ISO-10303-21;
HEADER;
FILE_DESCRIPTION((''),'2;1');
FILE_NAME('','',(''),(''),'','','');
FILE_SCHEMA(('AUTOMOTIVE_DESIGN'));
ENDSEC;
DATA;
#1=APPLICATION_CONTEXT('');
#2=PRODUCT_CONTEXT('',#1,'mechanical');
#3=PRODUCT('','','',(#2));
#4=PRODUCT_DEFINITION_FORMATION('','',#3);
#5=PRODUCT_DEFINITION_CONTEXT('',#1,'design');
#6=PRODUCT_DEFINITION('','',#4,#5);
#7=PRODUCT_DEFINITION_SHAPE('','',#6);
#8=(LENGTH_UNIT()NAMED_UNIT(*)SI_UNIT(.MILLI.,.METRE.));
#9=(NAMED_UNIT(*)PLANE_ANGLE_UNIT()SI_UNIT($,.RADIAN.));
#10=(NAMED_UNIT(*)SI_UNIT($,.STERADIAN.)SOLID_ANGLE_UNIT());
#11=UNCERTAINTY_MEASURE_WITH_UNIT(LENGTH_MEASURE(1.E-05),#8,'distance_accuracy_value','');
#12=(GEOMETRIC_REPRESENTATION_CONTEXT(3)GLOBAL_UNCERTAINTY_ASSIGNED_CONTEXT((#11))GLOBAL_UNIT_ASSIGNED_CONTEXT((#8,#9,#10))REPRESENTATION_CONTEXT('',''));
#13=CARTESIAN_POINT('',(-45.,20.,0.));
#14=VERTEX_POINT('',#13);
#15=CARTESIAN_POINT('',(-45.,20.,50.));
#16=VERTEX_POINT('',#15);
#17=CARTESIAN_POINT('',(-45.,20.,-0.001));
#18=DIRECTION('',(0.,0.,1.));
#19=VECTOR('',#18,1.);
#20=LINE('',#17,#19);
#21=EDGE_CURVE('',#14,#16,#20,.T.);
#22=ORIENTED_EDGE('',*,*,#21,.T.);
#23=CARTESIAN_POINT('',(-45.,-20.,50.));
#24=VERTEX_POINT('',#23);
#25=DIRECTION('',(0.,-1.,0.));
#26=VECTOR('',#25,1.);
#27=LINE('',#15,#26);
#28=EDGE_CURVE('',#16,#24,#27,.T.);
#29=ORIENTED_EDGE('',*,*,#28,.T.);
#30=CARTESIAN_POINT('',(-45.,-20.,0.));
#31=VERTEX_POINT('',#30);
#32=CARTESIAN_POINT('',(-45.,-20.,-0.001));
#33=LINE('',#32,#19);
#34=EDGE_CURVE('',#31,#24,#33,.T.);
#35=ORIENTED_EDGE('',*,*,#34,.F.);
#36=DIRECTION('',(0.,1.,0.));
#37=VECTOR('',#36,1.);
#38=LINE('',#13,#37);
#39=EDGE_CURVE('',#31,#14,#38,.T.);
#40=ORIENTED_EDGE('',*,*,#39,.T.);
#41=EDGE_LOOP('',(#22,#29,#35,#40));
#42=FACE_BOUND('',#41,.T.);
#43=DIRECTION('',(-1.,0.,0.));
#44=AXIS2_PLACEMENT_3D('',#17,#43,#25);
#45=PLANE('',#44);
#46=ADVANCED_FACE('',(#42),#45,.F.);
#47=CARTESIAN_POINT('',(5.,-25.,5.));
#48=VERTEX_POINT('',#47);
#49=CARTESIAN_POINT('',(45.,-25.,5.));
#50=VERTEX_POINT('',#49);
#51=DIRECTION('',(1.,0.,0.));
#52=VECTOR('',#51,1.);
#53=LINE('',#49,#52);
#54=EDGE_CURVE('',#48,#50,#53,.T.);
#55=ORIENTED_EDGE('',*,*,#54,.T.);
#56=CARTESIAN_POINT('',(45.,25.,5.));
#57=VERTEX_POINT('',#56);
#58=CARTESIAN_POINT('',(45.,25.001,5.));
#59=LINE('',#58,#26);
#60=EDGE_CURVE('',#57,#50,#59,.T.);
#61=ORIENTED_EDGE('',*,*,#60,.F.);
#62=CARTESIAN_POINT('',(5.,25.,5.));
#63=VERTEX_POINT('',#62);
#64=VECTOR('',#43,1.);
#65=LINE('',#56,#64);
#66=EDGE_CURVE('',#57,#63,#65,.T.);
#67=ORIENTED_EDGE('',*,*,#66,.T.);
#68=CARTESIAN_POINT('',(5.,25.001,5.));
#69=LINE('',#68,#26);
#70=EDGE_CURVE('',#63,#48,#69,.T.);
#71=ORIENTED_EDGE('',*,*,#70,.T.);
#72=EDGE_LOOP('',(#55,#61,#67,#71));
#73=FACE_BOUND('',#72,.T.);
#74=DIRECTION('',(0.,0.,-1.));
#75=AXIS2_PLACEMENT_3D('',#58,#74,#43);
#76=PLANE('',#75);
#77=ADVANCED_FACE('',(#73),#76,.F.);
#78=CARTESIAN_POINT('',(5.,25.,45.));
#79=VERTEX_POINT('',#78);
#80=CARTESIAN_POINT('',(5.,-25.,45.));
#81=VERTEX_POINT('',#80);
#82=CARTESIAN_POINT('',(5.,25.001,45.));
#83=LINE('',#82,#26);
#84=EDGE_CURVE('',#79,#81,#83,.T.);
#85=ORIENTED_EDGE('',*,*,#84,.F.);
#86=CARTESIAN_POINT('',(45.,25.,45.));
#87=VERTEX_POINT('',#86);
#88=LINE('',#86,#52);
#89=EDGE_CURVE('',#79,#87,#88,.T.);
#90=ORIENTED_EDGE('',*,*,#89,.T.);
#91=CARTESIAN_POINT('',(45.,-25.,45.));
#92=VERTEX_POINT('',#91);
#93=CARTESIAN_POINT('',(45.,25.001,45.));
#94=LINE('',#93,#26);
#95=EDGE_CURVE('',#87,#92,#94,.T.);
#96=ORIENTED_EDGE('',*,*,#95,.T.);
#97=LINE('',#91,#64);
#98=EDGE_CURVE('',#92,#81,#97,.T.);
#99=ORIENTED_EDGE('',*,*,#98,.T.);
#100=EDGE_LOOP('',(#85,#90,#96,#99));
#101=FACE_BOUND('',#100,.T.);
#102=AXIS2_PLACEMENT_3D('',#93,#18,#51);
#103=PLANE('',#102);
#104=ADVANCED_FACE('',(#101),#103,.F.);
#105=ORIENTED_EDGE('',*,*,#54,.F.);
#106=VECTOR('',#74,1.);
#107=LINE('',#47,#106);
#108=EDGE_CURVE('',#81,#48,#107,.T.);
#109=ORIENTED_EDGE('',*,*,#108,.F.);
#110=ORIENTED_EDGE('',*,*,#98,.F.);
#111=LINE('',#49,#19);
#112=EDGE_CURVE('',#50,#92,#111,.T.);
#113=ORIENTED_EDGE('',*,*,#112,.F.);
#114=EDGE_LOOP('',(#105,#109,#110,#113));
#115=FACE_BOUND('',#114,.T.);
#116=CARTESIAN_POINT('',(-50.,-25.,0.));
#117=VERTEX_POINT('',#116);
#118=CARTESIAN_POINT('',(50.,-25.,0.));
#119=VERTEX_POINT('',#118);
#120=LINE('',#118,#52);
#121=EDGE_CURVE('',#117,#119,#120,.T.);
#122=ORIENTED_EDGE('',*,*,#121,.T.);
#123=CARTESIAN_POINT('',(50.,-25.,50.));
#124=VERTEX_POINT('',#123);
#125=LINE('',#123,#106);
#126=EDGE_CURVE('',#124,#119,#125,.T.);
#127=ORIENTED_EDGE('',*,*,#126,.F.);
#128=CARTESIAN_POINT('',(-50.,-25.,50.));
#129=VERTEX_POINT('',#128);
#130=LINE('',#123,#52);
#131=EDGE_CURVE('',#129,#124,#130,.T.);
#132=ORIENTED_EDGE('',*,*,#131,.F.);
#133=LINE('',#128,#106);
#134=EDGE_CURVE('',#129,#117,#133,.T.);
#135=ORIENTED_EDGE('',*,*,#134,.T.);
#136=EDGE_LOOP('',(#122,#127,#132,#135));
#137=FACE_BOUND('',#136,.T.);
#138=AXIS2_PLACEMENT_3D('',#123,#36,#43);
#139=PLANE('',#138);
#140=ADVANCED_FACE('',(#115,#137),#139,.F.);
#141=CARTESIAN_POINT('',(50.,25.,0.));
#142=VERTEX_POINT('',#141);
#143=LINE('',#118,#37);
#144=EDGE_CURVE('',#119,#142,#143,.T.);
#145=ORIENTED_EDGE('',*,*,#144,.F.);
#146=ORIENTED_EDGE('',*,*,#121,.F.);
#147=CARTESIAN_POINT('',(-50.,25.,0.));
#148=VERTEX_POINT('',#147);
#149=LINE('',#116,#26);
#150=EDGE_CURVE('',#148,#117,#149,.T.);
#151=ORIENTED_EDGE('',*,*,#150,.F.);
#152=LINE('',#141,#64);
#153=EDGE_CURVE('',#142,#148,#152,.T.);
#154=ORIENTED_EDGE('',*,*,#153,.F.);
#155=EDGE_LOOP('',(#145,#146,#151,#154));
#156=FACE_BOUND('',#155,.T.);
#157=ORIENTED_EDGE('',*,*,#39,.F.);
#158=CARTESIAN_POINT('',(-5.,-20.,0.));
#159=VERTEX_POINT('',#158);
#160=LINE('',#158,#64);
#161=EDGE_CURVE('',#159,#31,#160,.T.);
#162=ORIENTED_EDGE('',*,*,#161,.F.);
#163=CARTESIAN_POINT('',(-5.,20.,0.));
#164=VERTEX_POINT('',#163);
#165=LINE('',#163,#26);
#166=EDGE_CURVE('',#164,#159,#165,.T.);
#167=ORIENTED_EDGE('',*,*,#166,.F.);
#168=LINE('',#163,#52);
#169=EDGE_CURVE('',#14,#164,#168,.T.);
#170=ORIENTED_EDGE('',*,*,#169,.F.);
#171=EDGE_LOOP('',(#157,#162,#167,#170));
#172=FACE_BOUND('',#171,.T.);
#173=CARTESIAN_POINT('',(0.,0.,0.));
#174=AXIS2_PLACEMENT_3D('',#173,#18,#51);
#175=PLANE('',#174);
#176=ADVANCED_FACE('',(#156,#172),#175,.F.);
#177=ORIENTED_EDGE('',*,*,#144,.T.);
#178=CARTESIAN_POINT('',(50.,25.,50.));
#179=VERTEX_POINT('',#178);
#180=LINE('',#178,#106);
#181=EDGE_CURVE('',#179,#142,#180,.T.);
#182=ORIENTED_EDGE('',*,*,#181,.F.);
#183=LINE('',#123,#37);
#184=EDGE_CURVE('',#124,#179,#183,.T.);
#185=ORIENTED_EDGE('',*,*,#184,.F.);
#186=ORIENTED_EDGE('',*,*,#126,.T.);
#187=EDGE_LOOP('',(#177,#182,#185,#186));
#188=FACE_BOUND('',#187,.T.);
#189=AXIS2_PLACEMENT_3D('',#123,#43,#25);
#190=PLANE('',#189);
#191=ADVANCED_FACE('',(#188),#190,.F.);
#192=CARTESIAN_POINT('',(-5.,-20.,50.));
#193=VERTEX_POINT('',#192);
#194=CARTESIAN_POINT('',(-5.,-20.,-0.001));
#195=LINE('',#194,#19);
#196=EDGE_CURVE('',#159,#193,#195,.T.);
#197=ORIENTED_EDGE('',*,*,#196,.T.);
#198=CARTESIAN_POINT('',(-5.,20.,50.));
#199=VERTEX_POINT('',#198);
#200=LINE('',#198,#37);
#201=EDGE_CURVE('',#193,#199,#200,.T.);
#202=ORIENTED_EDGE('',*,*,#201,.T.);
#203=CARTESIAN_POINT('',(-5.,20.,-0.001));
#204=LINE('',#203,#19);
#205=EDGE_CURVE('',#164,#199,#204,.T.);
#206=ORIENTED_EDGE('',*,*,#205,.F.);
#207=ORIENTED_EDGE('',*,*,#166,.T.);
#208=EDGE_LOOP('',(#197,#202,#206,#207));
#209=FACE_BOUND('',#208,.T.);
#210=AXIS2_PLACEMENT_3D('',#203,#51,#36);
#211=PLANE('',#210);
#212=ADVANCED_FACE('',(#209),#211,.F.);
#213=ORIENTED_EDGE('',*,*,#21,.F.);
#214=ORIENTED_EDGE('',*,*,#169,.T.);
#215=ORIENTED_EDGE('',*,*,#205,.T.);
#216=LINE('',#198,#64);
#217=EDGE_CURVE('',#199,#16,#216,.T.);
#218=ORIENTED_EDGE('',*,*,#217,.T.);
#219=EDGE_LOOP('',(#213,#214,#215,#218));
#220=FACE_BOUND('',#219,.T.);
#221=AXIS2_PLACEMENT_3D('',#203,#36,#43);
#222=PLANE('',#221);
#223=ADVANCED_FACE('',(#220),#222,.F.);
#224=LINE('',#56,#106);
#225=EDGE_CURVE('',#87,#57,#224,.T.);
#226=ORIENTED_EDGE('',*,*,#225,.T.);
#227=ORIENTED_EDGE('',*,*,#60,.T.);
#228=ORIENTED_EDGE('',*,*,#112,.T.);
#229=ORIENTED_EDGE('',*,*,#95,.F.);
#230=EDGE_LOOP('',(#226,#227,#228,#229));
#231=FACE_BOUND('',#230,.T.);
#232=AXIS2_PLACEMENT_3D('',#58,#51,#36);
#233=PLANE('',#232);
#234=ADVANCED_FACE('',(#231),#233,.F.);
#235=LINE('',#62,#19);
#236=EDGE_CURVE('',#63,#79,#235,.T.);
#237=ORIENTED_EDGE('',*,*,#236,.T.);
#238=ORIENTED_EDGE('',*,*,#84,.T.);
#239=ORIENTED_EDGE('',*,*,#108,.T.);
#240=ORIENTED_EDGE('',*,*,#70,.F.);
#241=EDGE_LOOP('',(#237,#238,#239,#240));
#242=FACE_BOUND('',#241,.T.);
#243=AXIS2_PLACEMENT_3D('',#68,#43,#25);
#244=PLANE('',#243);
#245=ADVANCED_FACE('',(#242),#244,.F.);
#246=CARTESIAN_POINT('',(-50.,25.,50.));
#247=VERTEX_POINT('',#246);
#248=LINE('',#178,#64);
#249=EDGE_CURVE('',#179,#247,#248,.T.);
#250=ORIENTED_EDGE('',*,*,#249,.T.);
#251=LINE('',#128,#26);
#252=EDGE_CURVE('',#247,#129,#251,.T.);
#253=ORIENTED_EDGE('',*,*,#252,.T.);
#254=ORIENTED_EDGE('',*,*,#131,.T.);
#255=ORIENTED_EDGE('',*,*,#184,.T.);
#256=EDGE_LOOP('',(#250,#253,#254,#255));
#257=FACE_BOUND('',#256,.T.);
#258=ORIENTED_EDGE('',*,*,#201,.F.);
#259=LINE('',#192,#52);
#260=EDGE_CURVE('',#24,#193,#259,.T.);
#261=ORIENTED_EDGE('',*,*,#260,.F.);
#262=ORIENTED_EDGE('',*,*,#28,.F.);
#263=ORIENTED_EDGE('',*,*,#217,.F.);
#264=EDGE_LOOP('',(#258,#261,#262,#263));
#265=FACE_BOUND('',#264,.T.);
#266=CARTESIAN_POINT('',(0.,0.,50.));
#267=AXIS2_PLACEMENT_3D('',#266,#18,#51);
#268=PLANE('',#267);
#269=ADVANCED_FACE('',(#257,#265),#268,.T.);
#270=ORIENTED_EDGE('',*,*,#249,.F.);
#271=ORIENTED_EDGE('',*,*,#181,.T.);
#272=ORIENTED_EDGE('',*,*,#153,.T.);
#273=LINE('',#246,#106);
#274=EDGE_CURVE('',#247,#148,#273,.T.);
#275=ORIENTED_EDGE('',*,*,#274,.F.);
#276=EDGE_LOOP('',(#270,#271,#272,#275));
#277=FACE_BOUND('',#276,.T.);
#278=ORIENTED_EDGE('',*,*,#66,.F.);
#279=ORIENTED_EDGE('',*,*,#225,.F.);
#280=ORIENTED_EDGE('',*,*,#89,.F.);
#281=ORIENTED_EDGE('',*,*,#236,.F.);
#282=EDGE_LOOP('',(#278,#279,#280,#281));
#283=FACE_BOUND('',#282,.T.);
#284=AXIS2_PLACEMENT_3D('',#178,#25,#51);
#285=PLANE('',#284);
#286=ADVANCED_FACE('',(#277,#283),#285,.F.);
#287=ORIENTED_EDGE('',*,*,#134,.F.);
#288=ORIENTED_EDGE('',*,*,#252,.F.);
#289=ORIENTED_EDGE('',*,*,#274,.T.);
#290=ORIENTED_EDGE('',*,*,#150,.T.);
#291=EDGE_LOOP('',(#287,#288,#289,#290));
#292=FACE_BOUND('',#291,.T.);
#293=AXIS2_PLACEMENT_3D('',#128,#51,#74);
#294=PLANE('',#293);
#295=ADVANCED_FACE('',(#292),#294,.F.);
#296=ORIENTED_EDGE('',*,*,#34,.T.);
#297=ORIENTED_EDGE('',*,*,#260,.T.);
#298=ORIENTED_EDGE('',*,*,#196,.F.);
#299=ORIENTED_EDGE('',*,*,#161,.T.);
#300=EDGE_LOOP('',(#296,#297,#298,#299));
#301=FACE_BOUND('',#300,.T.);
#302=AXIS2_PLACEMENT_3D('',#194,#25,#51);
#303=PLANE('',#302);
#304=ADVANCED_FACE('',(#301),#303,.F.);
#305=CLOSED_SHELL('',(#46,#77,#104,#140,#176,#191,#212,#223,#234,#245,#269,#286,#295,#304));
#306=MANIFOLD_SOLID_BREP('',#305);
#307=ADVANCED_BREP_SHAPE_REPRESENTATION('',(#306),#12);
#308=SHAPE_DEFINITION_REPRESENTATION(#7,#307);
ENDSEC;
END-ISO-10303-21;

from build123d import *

# Parameters (mm, degrees)
SKETCH1_W           = 100
SKETCH1_H           = 50
BOSS_EXTRUDE1_DEPTH = 50
CUT_EXTRUDE1_REACH  = 88.603
SKETCH2_W           = 40
SKETCH2_H           = 40
CUT_EXTRUDE2_REACH  = 77
SKETCH3_W           = 40
SKETCH3_H           = 40


with BuildPart() as part:
    # Sketch1 → Boss-Extrude1 (new body)
    with BuildSketch(Plane.XY):
        Rectangle(SKETCH1_W, SKETCH1_H)
    extrude(amount=BOSS_EXTRUDE1_DEPTH)

    # Sketch2 → Cut-Extrude1 (cut, up to next)
    with BuildSketch(Plane.XZ.offset(25), mode=Mode.PRIVATE) as cut_extrude1_sk1:
        with Locations((25, 25)):
            Rectangle(SKETCH2_W, SKETCH2_H)
    cut_extrude1_tool1 = extrude(cut_extrude1_sk1.sketch, amount=-CUT_EXTRUDE1_REACH, mode=Mode.PRIVATE) & part.part
    add(cut_extrude1_tool1.solids().sort_by_distance((25, -25, 25))[0], mode=Mode.SUBTRACT)

    # Sketch3 → Cut-Extrude2 (cut, up to next)
    with BuildSketch(Plane.XY.offset(50), mode=Mode.PRIVATE) as cut_extrude2_sk1:
        with Locations((-25, 0)):
            Rectangle(SKETCH3_W, SKETCH3_H)
    cut_extrude2_tool1 = extrude(cut_extrude2_sk1.sketch, amount=-CUT_EXTRUDE2_REACH, mode=Mode.PRIVATE) & part.part
    add(cut_extrude2_tool1.solids().sort_by_distance((-25, 0, 50))[0], mode=Mode.SUBTRACT)


solid = part.part
